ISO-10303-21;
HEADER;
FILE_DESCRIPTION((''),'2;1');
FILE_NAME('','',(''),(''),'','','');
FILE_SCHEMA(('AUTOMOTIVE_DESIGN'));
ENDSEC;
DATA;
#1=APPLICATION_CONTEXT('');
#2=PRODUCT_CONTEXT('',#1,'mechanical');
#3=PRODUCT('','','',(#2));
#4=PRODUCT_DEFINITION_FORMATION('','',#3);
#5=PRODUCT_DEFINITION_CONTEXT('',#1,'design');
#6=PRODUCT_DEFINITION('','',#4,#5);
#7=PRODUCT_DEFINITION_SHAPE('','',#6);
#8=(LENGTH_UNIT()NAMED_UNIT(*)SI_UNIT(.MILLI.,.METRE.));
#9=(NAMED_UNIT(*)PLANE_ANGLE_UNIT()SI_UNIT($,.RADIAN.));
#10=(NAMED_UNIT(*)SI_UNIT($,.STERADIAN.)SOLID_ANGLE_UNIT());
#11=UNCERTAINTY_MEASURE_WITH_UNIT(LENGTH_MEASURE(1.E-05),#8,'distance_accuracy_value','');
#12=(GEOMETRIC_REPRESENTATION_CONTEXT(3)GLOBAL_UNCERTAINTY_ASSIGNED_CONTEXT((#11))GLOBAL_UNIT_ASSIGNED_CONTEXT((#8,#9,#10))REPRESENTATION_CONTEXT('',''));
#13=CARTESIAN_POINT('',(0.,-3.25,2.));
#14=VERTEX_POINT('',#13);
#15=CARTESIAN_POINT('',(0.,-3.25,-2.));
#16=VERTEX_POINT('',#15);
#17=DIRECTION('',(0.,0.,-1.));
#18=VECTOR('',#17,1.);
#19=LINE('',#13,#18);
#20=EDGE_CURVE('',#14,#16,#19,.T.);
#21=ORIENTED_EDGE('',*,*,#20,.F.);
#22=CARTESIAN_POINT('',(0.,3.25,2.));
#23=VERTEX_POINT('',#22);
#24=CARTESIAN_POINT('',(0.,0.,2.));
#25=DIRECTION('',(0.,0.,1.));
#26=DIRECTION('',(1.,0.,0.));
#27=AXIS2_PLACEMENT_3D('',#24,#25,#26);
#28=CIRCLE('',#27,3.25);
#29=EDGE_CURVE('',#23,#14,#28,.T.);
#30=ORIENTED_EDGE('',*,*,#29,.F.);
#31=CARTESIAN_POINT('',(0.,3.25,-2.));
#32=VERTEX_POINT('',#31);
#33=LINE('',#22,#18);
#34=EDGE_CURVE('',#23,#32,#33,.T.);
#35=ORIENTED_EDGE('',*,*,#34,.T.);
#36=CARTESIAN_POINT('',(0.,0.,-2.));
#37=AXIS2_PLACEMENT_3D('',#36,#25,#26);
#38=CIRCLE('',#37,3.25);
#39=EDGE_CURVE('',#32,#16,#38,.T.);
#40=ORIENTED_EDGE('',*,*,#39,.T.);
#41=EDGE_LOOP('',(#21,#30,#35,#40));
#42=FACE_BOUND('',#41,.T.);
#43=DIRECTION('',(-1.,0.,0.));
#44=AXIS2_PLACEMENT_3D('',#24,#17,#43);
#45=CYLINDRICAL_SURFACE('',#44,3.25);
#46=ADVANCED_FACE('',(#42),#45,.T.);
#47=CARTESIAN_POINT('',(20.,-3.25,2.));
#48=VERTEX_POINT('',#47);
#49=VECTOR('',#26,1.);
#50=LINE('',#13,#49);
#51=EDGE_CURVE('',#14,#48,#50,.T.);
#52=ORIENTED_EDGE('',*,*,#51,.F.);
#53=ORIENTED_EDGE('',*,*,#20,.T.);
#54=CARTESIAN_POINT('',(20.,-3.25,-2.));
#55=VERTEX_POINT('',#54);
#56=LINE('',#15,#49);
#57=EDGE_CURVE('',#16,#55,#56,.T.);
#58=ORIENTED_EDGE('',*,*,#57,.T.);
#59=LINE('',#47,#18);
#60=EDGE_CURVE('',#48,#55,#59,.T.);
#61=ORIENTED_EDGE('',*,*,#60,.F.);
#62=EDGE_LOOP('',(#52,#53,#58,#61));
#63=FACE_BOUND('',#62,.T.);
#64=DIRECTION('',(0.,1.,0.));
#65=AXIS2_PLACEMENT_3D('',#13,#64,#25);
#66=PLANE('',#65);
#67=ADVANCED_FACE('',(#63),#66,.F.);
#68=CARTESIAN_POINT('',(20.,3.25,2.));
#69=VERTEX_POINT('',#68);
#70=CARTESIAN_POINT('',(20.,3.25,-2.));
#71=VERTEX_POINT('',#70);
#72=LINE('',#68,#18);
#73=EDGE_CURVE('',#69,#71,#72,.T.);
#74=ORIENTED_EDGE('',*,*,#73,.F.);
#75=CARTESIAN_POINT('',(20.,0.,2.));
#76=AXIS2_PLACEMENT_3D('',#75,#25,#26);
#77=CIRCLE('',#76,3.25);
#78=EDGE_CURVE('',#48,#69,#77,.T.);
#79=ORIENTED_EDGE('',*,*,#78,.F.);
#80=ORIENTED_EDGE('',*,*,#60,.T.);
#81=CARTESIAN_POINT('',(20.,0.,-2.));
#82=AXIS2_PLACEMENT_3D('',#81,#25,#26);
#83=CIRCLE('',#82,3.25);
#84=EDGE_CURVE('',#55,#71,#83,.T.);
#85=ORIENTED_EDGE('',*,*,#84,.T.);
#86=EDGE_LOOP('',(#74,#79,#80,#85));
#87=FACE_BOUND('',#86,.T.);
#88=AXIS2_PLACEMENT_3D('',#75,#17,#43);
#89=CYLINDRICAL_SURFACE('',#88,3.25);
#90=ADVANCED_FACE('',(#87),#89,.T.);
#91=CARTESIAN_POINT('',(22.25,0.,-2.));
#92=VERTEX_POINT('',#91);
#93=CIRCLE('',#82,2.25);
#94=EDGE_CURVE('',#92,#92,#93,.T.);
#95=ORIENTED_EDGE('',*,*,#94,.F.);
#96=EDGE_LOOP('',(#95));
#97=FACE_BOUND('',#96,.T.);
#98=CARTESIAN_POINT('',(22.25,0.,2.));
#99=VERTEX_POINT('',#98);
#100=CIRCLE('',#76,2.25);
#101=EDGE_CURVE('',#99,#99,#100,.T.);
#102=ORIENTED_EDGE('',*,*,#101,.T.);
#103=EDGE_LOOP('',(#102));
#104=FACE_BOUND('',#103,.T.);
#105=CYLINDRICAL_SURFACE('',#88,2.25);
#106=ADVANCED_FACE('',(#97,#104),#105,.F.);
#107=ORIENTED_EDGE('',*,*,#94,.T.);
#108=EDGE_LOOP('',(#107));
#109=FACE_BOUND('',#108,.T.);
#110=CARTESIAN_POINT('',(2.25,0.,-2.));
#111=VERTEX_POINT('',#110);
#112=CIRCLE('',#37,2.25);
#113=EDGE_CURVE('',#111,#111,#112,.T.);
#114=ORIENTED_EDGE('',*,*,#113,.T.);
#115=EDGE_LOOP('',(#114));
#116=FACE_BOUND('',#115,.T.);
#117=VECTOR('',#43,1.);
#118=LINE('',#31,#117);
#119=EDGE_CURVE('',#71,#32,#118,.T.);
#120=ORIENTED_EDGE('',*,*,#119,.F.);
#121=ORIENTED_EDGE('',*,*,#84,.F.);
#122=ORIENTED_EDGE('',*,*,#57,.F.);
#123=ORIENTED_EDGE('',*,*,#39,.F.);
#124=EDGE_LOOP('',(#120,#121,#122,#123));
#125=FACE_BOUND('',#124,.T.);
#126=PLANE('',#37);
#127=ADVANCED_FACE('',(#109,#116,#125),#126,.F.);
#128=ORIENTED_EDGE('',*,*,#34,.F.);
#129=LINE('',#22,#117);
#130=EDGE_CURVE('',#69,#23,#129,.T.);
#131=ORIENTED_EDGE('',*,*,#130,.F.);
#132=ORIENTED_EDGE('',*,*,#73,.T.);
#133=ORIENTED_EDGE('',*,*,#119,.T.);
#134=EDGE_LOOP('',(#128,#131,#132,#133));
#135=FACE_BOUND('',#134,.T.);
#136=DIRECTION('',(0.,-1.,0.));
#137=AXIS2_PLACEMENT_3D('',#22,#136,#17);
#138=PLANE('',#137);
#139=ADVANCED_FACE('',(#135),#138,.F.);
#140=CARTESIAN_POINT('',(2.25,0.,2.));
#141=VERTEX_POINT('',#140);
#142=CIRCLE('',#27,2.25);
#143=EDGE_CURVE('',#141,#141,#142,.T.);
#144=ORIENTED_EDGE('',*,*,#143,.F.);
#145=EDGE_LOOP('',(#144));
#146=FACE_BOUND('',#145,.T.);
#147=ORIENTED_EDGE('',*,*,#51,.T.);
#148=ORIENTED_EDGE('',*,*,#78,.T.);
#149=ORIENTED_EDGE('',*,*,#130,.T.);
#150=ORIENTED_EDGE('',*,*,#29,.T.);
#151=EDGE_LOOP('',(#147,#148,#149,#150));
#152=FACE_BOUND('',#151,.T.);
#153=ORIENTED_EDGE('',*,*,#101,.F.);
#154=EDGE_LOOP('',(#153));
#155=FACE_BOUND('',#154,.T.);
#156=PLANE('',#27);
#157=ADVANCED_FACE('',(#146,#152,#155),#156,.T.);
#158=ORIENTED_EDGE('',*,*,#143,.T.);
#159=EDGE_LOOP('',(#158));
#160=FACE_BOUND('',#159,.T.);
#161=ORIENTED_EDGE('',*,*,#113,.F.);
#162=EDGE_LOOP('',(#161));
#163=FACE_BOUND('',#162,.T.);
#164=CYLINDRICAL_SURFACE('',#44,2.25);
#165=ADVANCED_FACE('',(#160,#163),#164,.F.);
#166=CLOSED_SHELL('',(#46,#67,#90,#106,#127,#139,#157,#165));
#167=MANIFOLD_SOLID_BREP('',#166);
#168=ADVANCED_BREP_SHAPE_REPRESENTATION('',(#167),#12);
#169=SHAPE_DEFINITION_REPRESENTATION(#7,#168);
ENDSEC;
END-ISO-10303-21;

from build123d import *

# Parameters (mm, degrees)
SKETCH1_R           = 2.25
BOSS_EXTRUDE1_DEPTH = 2


with BuildPart() as part:
    # Sketch1 → Boss-Extrude1 (new, symmetric)
    with BuildSketch(Plane.XY):
        with BuildLine():
            Line((0, 3.25), (20, 3.25))
            ThreePointArc((20, 3.25), (23.25, 0), (20, -3.25))
            Line((20, -3.25), (0, -3.25))
            ThreePointArc((0, -3.25), (-3.25, 0), (0, 3.25))
        make_face()
        Circle(SKETCH1_R, mode=Mode.SUBTRACT)
        with Locations((20, 0)):
            Circle(SKETCH1_R, mode=Mode.SUBTRACT)
    extrude(amount=BOSS_EXTRUDE1_DEPTH, both=True)


solid = part.part
